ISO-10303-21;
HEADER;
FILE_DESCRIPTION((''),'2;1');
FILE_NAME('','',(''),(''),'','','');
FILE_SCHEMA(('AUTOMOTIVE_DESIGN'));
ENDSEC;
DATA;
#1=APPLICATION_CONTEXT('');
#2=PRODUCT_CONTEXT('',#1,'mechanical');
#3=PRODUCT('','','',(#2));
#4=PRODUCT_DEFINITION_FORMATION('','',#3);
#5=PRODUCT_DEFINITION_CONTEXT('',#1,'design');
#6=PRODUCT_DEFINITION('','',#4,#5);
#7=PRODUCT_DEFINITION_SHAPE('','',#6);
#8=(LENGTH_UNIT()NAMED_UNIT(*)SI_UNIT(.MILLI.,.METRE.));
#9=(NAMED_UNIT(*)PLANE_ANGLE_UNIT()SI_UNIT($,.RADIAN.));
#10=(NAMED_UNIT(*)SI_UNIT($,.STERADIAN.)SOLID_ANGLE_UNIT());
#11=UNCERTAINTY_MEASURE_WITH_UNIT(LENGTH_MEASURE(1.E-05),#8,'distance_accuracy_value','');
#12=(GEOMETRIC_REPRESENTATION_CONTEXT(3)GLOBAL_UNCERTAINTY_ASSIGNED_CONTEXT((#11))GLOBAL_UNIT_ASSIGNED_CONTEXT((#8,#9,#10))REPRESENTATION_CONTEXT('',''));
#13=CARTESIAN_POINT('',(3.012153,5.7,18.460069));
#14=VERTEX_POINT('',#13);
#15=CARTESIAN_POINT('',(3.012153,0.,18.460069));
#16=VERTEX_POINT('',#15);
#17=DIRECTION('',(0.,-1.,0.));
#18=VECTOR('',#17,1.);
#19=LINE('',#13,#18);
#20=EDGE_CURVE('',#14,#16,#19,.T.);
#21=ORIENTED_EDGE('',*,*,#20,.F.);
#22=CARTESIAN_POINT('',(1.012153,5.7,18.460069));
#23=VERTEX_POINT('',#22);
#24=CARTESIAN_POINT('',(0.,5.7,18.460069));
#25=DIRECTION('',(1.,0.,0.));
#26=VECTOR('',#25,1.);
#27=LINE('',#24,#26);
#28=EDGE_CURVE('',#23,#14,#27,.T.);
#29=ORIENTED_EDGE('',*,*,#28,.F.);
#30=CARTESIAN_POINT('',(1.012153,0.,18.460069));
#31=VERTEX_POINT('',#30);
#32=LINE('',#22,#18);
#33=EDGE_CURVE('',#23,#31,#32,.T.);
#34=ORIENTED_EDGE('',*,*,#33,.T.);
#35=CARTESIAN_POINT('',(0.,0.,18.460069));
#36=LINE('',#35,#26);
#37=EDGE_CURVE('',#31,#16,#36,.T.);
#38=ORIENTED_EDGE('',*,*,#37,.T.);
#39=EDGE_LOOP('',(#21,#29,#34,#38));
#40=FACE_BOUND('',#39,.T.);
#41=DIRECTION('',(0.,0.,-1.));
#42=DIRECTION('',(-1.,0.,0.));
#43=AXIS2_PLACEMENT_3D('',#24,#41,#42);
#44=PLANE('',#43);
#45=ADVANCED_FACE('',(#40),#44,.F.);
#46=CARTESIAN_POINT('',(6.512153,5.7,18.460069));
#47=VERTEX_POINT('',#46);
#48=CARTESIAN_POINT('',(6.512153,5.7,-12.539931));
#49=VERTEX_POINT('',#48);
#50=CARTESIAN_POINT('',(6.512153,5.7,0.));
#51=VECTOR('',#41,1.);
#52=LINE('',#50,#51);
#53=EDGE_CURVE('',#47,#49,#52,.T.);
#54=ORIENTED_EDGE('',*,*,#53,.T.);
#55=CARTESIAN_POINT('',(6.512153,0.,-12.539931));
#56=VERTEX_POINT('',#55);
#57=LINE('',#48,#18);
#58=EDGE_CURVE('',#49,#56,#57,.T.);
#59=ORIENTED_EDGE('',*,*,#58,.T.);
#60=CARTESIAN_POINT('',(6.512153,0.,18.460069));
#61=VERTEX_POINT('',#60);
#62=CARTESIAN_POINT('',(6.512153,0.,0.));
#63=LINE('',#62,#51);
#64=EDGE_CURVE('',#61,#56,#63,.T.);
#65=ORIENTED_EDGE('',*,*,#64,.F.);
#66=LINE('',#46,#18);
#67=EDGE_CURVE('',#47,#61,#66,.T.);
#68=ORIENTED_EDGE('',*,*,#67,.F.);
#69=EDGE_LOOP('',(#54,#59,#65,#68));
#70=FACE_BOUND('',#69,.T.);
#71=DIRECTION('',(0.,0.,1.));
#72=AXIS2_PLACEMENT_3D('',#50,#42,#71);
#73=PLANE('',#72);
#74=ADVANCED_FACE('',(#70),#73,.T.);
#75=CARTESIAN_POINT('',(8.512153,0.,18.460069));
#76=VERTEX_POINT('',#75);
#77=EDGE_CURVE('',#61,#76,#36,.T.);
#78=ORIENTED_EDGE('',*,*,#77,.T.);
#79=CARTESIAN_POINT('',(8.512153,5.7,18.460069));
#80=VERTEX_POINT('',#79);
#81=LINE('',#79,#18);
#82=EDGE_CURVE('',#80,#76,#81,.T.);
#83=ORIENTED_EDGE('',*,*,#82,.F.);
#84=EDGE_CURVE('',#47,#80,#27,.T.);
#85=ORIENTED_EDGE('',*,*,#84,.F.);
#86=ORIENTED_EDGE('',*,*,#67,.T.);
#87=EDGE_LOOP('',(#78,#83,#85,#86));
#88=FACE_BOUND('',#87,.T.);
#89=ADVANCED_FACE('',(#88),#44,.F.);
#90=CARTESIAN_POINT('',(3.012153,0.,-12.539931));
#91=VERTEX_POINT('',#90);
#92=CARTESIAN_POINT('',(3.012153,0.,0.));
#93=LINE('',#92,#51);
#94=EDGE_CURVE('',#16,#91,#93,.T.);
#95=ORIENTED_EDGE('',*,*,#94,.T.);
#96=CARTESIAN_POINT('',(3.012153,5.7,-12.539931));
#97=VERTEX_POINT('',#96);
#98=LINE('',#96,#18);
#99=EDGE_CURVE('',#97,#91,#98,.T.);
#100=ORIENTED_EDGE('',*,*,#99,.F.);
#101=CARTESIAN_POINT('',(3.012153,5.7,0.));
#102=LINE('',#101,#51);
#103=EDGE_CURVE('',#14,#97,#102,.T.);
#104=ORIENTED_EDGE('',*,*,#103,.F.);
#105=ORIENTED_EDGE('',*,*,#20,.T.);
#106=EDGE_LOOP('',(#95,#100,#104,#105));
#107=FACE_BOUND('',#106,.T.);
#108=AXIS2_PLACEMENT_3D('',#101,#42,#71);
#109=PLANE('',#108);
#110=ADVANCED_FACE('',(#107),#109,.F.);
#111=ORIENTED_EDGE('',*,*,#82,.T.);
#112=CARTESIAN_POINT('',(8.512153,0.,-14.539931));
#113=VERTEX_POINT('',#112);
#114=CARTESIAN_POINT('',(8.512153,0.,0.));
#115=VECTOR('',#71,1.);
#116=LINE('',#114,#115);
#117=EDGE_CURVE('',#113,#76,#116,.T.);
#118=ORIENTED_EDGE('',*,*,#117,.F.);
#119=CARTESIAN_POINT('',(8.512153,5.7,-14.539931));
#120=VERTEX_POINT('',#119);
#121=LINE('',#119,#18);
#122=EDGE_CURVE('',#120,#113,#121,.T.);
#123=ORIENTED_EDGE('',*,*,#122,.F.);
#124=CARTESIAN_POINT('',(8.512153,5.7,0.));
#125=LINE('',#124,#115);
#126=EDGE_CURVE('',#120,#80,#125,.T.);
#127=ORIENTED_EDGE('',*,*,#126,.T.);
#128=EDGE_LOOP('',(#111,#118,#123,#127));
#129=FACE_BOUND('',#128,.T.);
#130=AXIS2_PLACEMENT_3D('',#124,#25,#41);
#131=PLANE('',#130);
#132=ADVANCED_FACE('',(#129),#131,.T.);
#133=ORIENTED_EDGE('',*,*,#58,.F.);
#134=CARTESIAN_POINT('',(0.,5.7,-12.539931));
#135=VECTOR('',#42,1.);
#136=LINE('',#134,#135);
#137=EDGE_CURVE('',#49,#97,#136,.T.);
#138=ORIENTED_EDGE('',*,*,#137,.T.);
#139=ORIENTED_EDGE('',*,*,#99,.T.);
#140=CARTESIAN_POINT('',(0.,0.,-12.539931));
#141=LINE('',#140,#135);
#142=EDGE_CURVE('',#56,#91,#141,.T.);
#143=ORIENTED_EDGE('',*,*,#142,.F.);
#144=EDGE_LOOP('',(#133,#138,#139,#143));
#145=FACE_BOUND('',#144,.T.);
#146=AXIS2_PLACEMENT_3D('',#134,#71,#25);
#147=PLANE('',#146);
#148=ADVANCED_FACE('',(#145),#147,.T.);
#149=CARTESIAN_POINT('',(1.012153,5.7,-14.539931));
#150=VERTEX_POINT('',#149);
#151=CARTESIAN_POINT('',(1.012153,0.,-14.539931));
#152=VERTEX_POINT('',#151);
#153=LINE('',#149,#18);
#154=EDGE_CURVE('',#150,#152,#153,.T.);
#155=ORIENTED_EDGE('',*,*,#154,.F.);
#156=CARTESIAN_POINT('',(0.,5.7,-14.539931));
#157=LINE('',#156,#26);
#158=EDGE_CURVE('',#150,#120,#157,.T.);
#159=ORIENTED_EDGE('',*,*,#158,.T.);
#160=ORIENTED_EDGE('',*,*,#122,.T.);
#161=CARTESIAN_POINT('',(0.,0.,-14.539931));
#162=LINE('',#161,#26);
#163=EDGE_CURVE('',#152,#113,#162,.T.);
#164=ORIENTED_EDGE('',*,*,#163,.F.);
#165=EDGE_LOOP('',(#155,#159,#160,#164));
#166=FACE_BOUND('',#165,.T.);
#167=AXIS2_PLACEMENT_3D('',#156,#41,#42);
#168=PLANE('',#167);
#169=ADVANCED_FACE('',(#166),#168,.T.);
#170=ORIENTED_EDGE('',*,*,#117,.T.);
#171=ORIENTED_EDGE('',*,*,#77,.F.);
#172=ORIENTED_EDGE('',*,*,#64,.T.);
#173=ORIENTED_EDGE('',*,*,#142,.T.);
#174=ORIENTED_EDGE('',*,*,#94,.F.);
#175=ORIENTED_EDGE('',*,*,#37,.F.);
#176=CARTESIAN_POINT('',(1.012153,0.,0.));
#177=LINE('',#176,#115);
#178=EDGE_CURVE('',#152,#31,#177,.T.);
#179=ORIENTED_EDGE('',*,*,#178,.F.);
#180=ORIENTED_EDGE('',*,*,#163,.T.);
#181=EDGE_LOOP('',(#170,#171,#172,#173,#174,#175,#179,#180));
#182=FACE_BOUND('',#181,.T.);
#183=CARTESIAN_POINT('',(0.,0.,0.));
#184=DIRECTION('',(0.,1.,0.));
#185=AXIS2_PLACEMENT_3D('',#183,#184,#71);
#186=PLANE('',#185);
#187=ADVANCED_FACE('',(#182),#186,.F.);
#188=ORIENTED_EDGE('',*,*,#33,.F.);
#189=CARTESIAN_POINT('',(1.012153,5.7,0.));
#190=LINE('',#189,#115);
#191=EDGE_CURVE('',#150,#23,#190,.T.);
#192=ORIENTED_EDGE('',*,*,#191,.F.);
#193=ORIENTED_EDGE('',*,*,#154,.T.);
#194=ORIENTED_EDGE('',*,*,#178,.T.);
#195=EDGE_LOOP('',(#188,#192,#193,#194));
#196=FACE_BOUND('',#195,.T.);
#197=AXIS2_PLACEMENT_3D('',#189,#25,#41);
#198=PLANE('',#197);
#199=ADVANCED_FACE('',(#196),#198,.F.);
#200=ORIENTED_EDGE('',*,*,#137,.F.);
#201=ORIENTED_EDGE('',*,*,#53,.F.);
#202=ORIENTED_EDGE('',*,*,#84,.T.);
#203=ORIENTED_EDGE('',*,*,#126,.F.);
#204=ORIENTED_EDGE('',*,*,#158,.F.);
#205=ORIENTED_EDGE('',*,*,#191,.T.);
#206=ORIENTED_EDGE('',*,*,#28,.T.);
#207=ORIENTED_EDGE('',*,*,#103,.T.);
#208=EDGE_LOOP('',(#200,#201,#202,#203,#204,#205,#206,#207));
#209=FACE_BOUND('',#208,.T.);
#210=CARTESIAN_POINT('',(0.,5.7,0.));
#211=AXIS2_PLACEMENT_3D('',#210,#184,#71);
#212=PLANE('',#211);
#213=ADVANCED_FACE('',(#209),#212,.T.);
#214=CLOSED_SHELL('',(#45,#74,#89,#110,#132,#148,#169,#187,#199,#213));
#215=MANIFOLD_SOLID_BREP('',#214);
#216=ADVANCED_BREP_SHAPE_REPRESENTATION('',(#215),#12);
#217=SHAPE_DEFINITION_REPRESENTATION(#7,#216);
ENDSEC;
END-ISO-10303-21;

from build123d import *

# Parameters (mm, degrees)
SALIENTE_EXTRUIR1_DEPTH = 5.7


with BuildPart() as part:
    # Croquis1 → Saliente-Extruir1 (new body)
    with BuildSketch(Plane(origin=(0, 0, 0), x_dir=(1, 0, 0), z_dir=(0, 1, 0))):
        Polygon((8.512152778, 14.539930556), (1.012152778, 14.539930556), (1.012152778, -18.460069444), (3.012152778, -18.460069444), (3.012152778, 12.539930556), (6.512152778, 12.539930556), (6.512152778, -18.460069444), (8.512152778, -18.460069444), align=None)
    extrude(amount=SALIENTE_EXTRUIR1_DEPTH)


solid = part.part
